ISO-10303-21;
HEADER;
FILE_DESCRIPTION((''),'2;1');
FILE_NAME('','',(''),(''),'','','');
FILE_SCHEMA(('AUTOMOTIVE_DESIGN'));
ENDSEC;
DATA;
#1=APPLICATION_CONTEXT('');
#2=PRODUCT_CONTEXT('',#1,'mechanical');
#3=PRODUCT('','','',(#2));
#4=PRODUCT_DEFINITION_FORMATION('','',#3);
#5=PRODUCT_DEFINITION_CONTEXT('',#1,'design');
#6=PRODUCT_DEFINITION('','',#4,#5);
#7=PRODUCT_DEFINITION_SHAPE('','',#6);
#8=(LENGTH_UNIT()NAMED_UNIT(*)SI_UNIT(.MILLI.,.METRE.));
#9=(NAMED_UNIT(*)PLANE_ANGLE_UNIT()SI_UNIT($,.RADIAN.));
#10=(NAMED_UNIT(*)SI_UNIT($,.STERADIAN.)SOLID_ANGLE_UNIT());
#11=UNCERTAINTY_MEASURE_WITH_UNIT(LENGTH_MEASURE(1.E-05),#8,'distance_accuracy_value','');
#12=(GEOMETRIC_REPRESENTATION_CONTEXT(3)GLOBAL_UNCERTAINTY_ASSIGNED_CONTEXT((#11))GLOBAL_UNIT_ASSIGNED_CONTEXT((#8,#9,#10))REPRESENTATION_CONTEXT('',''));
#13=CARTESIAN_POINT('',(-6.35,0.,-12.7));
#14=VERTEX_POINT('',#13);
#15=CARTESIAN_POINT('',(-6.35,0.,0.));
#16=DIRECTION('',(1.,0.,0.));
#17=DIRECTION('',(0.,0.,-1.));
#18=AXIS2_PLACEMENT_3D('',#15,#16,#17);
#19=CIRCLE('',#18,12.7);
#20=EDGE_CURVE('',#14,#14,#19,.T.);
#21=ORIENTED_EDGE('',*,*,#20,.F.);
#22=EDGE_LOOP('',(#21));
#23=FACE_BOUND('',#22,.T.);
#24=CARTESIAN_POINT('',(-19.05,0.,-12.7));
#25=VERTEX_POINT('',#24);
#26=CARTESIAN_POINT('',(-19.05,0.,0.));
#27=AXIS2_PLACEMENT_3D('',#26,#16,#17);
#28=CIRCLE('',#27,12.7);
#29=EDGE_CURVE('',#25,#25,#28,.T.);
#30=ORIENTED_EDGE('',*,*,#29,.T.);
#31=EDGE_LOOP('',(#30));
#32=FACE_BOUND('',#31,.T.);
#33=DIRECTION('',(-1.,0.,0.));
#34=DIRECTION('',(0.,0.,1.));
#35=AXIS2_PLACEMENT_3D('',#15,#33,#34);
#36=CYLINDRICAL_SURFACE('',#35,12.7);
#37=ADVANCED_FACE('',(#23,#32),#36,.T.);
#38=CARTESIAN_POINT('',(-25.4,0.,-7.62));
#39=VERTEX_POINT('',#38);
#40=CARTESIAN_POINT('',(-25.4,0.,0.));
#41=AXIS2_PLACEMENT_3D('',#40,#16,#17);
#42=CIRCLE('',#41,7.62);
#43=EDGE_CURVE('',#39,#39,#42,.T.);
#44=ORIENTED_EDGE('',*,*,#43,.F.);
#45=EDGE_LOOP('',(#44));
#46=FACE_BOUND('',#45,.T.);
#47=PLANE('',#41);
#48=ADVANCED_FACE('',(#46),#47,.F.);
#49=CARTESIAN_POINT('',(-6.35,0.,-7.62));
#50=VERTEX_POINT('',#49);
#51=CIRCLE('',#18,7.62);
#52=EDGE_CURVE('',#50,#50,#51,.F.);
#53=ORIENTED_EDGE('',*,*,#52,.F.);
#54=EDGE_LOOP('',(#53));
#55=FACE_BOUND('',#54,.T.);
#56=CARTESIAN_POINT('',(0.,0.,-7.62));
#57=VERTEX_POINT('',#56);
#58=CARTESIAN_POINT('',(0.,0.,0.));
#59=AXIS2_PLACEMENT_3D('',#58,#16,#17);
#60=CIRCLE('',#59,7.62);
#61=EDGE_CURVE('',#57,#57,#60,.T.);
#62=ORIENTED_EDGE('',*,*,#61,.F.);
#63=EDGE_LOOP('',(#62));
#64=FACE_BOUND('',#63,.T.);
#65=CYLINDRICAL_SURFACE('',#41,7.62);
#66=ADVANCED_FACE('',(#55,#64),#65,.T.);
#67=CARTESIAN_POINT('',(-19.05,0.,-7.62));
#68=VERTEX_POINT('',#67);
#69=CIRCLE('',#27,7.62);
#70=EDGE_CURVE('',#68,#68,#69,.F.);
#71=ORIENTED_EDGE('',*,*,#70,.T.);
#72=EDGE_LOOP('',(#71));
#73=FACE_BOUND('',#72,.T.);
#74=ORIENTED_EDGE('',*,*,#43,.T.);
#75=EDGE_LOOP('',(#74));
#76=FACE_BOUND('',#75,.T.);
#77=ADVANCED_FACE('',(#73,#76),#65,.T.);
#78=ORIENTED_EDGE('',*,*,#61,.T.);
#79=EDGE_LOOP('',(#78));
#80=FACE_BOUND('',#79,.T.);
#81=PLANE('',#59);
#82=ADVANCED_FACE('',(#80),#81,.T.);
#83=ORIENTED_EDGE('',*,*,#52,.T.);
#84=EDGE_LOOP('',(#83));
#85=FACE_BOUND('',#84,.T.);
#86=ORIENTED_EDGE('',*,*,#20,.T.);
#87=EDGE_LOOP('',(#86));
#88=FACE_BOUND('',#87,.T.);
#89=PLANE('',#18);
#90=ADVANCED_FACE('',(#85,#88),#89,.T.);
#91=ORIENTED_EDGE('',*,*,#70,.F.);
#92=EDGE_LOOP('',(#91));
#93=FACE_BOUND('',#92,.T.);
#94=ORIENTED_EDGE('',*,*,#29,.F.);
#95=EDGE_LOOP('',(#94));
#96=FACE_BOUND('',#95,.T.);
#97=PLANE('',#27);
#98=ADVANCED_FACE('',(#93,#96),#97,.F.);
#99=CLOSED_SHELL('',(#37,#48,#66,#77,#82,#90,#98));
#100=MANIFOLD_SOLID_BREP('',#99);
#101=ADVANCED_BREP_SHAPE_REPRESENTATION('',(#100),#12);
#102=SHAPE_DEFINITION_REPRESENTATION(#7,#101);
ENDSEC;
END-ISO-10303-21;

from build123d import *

# Parameters (mm, degrees)
SKETCH1_R           = 7.62
BOSS_EXTRUDE1_DEPTH = 25.4
SKETCH2_R           = 12.7
BOSS_EXTRUDE2_DEPTH = 6.35


with BuildPart() as part:
    # Sketch1 → Boss-Extrude1 (new body)
    with BuildSketch(Plane(origin=(0, 0, 0), x_dir=(0, 0, -1), z_dir=(1, 0, 0))):
        Circle(SKETCH1_R)
    extrude(amount=-BOSS_EXTRUDE1_DEPTH)

    # Sketch2 → Boss-Extrude2 (add, symmetric)
    with BuildSketch(Plane(origin=(-12.7, 0, 0), x_dir=(0, 0, -1), z_dir=(1, 0, 0))):
        Circle(SKETCH2_R)
    extrude(amount=BOSS_EXTRUDE2_DEPTH, both=True)


solid = part.part
